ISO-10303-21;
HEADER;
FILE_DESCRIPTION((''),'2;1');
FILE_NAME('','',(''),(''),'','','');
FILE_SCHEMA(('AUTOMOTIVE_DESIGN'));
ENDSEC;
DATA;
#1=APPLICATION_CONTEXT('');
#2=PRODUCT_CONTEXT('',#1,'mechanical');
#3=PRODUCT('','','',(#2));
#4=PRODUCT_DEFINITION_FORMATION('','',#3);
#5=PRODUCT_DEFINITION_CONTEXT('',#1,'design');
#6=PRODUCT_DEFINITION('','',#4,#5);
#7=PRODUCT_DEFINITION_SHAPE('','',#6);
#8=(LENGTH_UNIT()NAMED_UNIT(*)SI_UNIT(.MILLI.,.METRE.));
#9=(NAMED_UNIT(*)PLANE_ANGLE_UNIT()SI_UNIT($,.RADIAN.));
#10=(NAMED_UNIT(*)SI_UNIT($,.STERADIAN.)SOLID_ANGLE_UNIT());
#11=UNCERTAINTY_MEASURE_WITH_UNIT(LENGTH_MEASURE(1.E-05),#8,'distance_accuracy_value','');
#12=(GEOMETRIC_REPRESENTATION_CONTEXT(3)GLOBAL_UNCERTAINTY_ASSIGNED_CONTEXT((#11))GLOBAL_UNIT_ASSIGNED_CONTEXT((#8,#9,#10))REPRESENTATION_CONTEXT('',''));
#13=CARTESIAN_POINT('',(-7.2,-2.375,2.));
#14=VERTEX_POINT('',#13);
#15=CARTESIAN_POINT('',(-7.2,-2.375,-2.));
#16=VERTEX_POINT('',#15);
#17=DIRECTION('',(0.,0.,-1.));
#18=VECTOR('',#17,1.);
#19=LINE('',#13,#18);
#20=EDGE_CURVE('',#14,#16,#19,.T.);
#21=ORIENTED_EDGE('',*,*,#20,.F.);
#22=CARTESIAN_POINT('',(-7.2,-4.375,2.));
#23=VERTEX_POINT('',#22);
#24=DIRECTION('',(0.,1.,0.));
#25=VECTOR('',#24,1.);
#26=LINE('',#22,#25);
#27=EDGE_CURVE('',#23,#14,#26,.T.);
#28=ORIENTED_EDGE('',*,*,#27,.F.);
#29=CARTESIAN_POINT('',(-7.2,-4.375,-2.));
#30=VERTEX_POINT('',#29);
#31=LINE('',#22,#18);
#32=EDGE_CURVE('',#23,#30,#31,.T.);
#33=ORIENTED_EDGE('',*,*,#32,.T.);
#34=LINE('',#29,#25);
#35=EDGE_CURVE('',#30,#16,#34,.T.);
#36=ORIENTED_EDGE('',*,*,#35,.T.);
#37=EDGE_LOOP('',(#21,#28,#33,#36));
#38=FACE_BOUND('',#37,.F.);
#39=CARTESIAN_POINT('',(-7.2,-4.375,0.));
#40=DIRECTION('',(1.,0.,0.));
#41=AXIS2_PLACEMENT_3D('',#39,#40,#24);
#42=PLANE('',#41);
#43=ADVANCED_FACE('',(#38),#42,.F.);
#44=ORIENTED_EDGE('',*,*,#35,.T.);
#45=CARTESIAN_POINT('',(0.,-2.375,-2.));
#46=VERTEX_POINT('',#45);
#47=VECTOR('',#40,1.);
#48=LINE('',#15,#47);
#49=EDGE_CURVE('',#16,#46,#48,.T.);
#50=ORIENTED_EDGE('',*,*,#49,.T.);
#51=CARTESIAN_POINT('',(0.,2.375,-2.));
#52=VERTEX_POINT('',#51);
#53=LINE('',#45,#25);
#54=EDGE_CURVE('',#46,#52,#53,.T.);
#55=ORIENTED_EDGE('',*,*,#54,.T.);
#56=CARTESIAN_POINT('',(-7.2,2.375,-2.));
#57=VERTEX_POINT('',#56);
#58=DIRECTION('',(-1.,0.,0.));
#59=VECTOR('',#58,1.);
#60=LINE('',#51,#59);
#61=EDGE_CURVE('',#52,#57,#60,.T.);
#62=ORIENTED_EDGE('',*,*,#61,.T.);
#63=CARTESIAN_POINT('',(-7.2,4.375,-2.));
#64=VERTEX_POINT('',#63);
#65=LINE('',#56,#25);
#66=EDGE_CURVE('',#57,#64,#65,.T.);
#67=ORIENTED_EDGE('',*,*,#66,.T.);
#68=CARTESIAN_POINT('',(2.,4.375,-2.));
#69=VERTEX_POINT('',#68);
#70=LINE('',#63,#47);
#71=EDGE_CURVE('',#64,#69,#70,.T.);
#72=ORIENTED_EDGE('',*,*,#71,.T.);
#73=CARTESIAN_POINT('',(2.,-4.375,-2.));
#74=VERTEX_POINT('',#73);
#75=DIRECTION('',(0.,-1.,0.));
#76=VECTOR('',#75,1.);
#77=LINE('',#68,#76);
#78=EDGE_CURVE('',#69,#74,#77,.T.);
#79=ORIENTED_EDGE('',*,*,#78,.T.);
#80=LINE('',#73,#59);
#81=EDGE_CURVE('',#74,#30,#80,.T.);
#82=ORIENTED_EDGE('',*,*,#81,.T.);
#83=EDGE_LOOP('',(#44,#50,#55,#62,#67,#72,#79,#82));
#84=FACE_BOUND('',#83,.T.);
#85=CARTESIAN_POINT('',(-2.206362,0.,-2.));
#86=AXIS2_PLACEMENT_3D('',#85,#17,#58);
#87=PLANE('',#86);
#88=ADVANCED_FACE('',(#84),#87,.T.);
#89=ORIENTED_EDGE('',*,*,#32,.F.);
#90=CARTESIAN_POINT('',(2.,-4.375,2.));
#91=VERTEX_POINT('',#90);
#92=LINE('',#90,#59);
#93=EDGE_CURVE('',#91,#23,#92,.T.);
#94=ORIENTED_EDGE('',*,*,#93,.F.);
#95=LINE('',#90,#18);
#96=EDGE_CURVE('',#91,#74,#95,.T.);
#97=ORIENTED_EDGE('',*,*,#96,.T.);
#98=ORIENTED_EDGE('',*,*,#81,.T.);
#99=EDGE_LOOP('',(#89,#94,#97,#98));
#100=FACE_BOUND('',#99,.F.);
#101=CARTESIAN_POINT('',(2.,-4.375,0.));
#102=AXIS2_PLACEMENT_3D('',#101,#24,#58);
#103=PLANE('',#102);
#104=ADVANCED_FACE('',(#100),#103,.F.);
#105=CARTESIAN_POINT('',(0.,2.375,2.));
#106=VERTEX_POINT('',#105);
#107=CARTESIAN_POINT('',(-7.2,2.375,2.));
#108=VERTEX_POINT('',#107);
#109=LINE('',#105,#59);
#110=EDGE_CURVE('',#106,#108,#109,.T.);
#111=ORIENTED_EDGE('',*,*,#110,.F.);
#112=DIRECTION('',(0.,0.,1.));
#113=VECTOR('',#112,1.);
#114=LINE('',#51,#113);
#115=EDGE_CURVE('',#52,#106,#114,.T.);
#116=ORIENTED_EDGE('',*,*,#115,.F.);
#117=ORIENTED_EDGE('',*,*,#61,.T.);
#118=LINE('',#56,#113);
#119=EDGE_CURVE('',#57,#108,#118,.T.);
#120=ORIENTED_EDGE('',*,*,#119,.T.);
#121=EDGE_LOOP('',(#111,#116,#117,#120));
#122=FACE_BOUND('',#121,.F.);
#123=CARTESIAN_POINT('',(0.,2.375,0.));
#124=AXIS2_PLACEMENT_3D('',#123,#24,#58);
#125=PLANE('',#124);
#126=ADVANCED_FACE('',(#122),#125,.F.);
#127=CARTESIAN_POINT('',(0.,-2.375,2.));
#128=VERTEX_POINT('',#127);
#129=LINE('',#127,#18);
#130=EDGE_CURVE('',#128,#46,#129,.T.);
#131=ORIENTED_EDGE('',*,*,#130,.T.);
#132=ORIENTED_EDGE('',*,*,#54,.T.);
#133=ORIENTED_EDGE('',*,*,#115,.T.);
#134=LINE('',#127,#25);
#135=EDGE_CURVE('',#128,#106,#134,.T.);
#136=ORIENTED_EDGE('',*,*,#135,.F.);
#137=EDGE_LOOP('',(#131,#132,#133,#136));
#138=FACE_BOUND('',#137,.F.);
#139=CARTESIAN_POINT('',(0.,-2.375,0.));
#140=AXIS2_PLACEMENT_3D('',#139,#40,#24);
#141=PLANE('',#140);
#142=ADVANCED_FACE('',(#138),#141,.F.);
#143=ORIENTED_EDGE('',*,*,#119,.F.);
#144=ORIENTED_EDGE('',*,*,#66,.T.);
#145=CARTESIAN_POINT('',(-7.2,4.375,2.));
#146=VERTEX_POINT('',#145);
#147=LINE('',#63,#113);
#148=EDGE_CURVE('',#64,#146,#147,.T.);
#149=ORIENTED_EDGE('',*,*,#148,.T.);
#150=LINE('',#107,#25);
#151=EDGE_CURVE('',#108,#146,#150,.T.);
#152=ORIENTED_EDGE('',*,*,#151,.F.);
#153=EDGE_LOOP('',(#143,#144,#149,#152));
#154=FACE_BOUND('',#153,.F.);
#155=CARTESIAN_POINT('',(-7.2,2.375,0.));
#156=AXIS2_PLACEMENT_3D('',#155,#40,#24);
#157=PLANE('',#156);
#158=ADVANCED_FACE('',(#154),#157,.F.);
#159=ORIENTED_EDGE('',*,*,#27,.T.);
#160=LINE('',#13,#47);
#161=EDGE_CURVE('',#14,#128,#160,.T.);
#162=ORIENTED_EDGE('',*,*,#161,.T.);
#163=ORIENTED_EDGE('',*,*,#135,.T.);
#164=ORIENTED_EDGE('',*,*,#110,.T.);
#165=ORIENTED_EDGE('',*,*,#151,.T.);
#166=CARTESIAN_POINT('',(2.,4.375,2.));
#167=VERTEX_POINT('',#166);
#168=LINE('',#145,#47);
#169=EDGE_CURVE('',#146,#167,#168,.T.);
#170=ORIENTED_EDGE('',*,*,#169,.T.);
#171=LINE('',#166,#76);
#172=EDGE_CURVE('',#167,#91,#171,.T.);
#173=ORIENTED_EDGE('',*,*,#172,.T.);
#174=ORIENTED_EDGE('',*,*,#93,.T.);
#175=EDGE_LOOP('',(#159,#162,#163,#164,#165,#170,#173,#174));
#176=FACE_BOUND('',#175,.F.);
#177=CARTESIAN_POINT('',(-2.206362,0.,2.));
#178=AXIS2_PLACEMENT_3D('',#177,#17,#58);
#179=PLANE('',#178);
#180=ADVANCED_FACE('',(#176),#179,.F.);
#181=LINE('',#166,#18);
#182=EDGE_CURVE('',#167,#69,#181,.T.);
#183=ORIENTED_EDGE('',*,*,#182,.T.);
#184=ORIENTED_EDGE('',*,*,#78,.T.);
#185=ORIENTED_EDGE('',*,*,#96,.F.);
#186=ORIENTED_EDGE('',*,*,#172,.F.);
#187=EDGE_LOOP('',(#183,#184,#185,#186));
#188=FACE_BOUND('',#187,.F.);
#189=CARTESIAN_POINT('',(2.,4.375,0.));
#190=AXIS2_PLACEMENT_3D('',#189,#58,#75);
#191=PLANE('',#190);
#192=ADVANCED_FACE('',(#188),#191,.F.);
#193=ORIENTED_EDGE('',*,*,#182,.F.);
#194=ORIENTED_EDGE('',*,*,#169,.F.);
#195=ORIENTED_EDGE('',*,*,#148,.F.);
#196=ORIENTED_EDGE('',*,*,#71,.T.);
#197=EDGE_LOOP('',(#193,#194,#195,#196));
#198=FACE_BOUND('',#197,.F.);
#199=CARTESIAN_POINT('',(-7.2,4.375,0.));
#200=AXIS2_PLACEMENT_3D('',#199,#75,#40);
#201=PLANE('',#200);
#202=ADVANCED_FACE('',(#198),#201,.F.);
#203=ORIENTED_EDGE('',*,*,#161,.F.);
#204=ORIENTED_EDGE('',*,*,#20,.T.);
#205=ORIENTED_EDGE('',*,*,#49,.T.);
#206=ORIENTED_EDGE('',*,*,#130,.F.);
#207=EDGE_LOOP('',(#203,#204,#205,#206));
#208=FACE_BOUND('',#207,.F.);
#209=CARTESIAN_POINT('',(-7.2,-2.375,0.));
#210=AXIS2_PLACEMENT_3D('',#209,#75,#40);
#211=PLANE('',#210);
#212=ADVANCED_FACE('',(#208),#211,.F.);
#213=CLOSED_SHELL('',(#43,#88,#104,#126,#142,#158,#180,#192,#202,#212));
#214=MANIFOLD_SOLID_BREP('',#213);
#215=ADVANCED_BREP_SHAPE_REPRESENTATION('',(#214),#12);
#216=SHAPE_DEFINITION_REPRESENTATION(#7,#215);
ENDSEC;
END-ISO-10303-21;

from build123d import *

# Parameters (mm, degrees)
PAD_DEPTH = 2


with BuildPart() as part:
    # Sketch → Pad (new body, symmetric)
    with BuildSketch(Plane.XY):
        Polygon((-7.2, 4.375), (2, 4.375), (2, -4.375), (-7.2, -4.375), (-7.2, -2.375), (0, -2.375), (0, 2.375), (-7.2, 2.375), align=None)
    extrude(amount=PAD_DEPTH, both=True)


solid = part.part
